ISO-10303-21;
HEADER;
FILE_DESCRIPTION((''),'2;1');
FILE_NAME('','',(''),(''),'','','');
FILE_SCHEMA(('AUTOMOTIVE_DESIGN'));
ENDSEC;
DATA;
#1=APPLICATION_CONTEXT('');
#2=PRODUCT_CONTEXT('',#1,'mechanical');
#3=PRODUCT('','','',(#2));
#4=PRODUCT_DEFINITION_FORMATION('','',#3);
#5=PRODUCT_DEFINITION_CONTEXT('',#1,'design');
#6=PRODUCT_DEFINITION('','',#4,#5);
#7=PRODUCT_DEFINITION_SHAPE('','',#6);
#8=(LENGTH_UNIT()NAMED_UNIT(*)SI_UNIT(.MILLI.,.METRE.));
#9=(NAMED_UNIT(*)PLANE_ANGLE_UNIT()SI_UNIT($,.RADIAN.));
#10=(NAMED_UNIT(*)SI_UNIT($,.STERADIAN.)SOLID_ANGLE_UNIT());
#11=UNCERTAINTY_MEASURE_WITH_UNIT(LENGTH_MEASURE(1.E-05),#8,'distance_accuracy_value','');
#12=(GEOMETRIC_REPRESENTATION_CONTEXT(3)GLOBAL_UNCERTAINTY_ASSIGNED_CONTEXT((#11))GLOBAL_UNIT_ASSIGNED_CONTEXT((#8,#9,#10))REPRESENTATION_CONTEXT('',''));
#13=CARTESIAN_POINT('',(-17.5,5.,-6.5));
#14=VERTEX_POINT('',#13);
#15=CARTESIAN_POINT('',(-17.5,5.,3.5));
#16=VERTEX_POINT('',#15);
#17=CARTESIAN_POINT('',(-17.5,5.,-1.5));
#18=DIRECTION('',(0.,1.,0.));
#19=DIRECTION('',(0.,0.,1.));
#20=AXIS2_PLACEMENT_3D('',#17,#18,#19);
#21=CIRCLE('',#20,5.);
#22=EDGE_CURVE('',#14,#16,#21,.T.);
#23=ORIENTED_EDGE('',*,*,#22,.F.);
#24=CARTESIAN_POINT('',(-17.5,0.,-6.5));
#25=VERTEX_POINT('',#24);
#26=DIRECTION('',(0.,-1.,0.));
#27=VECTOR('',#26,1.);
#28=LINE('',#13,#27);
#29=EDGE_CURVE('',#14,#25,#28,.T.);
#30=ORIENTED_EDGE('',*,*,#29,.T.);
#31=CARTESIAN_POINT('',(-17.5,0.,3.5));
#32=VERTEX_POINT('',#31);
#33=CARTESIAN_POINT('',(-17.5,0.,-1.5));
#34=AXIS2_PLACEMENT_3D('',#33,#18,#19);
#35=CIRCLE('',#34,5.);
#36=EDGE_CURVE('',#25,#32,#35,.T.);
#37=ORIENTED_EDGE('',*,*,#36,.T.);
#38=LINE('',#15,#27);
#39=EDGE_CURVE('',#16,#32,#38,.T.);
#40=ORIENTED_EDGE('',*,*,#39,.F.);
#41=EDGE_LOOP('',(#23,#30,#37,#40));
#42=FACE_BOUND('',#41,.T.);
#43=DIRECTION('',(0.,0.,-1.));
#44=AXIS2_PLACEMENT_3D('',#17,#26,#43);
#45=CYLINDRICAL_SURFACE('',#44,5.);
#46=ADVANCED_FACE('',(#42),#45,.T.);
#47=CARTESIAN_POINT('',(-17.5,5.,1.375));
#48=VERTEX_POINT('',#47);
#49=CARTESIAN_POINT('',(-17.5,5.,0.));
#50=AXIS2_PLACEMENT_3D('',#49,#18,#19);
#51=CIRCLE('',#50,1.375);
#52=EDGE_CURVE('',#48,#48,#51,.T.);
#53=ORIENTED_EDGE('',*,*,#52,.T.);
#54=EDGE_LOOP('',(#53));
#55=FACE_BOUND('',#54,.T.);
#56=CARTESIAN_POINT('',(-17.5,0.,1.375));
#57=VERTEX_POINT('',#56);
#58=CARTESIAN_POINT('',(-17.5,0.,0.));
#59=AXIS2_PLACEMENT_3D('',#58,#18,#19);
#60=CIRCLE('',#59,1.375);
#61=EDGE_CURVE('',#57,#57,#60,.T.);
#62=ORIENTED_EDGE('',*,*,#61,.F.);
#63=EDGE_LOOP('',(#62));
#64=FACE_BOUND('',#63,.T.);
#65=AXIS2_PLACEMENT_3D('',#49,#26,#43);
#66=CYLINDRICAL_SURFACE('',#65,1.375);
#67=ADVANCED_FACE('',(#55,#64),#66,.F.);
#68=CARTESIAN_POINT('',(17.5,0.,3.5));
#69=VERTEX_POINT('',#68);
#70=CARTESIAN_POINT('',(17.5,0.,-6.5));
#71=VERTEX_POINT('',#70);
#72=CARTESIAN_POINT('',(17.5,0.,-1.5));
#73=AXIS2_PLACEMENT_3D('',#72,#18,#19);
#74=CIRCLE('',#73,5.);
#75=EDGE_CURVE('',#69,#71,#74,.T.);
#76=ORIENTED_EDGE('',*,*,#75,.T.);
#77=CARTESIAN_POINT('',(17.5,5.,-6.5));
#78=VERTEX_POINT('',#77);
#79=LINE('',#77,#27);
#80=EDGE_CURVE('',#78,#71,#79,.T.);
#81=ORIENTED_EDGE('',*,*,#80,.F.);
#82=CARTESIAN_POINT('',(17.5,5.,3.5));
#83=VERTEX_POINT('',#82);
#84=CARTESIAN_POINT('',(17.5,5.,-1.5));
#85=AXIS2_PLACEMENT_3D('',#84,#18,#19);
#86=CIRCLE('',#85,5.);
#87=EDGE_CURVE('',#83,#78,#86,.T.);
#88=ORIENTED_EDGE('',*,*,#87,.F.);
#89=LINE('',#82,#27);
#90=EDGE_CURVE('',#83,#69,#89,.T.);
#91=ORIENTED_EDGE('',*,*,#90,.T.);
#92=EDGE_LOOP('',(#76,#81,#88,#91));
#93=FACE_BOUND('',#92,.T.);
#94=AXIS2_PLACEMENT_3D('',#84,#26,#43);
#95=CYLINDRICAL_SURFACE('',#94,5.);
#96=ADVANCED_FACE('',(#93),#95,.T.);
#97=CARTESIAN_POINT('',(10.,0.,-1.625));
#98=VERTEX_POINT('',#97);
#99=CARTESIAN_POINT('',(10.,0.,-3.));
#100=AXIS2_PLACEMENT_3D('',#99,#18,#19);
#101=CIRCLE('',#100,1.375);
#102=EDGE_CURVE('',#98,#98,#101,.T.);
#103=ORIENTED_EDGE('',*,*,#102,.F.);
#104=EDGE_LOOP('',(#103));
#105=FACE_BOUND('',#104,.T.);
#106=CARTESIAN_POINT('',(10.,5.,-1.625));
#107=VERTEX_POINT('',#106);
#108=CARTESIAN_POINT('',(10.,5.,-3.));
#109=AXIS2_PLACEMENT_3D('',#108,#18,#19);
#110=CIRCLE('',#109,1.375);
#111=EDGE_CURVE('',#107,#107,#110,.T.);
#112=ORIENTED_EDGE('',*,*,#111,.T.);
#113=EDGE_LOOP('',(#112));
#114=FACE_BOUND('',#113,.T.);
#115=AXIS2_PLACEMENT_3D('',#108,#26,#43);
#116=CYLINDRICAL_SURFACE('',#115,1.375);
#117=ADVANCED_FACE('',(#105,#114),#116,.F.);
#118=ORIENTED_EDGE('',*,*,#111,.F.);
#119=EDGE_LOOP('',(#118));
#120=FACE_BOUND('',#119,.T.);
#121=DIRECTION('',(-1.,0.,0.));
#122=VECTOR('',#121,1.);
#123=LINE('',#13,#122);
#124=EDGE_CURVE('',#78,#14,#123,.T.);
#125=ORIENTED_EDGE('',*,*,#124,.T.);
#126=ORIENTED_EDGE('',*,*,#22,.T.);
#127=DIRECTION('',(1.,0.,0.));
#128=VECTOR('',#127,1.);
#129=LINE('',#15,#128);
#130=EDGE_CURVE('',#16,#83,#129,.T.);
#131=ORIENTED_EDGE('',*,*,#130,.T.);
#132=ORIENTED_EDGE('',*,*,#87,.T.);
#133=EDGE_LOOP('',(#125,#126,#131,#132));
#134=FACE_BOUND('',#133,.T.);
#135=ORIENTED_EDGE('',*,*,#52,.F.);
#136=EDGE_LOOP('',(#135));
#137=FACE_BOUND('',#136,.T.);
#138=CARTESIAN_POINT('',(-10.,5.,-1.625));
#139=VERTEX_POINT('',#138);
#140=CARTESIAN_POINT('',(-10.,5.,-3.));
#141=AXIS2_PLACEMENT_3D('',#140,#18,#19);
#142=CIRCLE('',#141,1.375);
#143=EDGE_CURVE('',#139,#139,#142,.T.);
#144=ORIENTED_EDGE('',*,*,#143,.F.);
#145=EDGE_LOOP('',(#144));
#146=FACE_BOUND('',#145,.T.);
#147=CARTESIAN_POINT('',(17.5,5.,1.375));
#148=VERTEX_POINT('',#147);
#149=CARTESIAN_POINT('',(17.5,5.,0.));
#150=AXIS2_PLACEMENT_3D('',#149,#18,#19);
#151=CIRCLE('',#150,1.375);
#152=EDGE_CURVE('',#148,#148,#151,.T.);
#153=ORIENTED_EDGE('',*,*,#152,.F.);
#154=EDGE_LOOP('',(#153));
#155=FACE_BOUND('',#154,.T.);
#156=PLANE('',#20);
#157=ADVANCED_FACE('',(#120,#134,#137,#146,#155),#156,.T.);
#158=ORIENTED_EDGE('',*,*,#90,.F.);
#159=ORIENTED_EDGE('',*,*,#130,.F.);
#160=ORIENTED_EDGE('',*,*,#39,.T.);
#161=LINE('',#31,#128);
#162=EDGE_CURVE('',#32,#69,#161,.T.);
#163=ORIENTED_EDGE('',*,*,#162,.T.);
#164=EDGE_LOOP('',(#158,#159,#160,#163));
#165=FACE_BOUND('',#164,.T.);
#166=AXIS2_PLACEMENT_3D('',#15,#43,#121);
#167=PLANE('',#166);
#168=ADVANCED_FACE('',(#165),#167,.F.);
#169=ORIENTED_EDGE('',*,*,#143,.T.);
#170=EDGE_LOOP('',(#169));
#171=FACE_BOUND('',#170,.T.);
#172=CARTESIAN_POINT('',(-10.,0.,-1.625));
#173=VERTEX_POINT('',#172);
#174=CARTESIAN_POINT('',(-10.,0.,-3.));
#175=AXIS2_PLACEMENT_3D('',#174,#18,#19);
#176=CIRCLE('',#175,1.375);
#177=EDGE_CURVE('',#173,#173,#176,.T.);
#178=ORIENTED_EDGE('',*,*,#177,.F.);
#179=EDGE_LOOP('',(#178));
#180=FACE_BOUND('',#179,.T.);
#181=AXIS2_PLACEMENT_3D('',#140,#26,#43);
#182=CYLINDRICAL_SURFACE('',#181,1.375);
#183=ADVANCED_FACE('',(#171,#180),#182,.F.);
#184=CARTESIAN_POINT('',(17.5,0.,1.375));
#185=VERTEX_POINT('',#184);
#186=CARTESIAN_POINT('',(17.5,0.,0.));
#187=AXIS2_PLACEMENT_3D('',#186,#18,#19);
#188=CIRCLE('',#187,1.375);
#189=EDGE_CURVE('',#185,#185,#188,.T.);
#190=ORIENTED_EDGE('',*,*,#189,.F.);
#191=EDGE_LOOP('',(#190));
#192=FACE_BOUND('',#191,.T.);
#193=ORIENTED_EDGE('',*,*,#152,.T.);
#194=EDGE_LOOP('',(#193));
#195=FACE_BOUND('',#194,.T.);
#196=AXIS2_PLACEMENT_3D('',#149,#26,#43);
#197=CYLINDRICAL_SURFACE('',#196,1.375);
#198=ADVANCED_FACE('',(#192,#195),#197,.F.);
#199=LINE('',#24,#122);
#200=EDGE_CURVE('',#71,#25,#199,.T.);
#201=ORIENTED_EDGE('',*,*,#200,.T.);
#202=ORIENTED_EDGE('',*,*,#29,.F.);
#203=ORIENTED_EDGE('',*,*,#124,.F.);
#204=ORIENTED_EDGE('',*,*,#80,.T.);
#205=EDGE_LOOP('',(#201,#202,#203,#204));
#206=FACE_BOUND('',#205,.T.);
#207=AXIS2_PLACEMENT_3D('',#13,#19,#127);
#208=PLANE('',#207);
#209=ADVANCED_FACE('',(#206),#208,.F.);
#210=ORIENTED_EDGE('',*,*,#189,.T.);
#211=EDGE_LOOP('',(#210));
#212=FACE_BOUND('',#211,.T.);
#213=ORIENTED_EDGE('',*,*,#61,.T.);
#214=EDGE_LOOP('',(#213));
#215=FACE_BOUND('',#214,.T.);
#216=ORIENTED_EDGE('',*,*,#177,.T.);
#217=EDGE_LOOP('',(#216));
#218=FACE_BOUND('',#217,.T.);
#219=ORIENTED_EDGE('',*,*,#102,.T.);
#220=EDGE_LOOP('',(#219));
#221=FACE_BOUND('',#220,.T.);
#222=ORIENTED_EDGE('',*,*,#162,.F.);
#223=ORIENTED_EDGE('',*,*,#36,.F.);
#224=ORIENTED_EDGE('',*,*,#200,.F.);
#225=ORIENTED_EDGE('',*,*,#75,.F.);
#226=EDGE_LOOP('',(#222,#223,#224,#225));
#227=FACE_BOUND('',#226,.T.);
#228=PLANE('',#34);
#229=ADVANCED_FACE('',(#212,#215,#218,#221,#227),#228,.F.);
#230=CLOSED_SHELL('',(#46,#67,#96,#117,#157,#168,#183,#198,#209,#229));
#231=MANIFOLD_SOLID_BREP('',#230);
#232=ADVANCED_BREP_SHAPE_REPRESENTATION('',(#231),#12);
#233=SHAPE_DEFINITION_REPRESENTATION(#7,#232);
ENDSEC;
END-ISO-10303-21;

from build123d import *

# Parameters (mm, degrees)
SKETCH2_R           = 1.375
BOSS_EXTRUDE1_DEPTH = 5


with BuildPart() as part:
    # Sketch2 → Boss-Extrude1 (new body)
    with BuildSketch(Plane(origin=(0, 0, 0), x_dir=(1, 0, 0), z_dir=(0, 1, 0))):
        with BuildLine():
            Line((-17.5, 6.5), (17.5, 6.5))
            ThreePointArc((17.5, 6.5), (22.5, 1.5), (17.5, -3.5))
            Line((17.5, -3.5), (-17.5, -3.5))
            ThreePointArc((-17.5, -3.5), (-22.5, 1.5), (-17.5, 6.5))
        make_face()
        with Locations(Location((10, 3, 0), (0, 0, 270))):
            Circle(SKETCH2_R, mode=Mode.SUBTRACT)
        with Locations(Location((-10, 3, 0), (0, 0, 270))):
            Circle(SKETCH2_R, mode=Mode.SUBTRACT)
        with Locations(Location((-17.5, 0, 0), (0, 0, 270))):
            Circle(SKETCH2_R, mode=Mode.SUBTRACT)
        with Locations(Location((17.5, 0, 0), (0, 0, 270))):
            Circle(SKETCH2_R, mode=Mode.SUBTRACT)
    extrude(amount=BOSS_EXTRUDE1_DEPTH)


solid = part.part
